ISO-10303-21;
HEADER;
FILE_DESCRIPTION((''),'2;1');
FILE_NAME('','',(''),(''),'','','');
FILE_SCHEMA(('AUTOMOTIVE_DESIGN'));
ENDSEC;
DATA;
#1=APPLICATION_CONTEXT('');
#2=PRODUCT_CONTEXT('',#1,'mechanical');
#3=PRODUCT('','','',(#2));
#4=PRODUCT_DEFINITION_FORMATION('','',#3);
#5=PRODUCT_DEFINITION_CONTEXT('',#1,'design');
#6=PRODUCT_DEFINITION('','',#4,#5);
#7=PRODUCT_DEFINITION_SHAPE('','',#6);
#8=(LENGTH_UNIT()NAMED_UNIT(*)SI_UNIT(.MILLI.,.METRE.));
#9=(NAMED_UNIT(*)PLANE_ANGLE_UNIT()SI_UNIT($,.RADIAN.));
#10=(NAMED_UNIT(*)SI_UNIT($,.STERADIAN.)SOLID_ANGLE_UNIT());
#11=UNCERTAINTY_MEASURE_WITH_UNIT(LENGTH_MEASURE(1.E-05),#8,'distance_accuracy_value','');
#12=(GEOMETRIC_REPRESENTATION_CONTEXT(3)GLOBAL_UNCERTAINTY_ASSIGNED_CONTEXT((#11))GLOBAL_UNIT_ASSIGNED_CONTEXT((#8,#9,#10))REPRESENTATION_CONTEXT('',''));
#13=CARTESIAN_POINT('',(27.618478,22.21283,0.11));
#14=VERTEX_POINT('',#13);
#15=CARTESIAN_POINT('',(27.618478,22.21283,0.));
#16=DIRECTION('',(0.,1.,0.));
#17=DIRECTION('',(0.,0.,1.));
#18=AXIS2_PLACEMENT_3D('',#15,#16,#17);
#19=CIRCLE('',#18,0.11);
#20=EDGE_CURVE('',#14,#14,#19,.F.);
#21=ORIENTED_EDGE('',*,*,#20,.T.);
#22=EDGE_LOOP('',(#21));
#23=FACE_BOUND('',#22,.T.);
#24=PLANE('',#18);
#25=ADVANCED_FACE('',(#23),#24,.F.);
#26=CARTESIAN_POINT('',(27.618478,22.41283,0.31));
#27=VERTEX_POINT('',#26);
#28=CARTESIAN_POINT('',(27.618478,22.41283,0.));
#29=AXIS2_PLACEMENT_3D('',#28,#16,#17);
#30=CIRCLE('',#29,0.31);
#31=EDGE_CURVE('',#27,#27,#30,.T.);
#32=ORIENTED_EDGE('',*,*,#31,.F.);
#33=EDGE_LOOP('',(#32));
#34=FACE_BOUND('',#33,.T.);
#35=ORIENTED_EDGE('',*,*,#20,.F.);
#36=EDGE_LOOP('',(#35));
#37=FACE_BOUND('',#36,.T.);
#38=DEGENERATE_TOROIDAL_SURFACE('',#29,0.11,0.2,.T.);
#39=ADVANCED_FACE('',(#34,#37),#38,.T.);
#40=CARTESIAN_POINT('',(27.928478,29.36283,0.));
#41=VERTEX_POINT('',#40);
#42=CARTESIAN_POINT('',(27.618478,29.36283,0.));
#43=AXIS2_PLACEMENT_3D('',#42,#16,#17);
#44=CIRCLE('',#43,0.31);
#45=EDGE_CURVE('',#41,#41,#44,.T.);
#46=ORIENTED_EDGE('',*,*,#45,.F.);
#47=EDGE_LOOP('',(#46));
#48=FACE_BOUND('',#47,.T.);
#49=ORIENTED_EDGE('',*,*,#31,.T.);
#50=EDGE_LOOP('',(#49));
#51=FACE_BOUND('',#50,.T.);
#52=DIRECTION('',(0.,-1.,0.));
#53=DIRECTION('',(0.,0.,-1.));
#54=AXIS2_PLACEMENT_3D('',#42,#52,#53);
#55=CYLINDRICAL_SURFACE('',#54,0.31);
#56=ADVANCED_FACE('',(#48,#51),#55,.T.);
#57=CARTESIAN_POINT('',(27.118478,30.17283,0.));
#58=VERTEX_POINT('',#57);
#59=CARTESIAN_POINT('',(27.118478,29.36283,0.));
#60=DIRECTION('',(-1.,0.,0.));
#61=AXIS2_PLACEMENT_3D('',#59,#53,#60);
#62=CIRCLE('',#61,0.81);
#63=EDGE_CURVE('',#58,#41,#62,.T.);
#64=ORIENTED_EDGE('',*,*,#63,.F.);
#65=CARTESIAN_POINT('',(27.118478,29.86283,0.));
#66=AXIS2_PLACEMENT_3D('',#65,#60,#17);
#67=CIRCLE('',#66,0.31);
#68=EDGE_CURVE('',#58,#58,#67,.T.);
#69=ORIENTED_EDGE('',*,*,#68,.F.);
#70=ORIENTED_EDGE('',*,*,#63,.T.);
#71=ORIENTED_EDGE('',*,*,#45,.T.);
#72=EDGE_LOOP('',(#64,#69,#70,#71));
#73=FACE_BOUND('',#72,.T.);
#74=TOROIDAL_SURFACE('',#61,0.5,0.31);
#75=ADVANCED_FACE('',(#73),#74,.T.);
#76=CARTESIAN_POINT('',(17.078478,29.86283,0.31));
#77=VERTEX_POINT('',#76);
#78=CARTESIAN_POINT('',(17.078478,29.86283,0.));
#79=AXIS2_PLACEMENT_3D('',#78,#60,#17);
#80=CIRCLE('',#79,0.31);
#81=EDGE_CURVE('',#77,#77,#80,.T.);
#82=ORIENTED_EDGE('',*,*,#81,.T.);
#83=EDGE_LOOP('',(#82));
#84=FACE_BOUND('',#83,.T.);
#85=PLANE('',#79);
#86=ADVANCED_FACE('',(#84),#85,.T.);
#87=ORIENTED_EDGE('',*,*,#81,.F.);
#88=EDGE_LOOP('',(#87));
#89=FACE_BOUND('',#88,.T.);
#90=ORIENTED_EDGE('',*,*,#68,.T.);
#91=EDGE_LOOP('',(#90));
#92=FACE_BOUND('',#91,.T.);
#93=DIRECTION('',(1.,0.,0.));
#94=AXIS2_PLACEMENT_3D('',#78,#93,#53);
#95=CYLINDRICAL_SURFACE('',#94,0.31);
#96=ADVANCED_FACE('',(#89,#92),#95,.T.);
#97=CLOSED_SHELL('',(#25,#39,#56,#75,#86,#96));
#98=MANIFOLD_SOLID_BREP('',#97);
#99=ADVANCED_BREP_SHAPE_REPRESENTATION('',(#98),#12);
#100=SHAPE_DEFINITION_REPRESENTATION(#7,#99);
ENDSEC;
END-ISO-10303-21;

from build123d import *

# Parameters (mm, degrees)
SWEEP_1_PROFILE_R = 0.31
FILLET_4_R        = 0.2


with BuildPart() as part:
    # 扫描1: sweep along a path in 草图1
    with BuildLine(Plane.XY) as sweep_1_path:
        Line((17.078477546, 29.862829992), (27.118477546, 29.862829992))
        ThreePointArc((27.118477546, 29.862829992), (27.472030937, 29.716383383), (27.618477546, 29.362829992))
        Line((27.618477546, 29.362829992), (27.618477546, 22.212829992))
    # 扫描1 profile (on start of the path) → 扫描1 (sweep)
    with BuildSketch(Plane(origin=(17.078477546, 29.862829992, 0), x_dir=(0, 0, 1), z_dir=(1, 0, 0))):
        Circle(SWEEP_1_PROFILE_R)
    sweep(path=sweep_1_path.line)

    # 圆角4
    fillet_4_edges = [part.edges().sort_by_distance(p)[0] for p in [
        (27.618477546, 22.212829992, -0.31),
    ]]
    fillet(fillet_4_edges, radius=FILLET_4_R)


solid = part.part
